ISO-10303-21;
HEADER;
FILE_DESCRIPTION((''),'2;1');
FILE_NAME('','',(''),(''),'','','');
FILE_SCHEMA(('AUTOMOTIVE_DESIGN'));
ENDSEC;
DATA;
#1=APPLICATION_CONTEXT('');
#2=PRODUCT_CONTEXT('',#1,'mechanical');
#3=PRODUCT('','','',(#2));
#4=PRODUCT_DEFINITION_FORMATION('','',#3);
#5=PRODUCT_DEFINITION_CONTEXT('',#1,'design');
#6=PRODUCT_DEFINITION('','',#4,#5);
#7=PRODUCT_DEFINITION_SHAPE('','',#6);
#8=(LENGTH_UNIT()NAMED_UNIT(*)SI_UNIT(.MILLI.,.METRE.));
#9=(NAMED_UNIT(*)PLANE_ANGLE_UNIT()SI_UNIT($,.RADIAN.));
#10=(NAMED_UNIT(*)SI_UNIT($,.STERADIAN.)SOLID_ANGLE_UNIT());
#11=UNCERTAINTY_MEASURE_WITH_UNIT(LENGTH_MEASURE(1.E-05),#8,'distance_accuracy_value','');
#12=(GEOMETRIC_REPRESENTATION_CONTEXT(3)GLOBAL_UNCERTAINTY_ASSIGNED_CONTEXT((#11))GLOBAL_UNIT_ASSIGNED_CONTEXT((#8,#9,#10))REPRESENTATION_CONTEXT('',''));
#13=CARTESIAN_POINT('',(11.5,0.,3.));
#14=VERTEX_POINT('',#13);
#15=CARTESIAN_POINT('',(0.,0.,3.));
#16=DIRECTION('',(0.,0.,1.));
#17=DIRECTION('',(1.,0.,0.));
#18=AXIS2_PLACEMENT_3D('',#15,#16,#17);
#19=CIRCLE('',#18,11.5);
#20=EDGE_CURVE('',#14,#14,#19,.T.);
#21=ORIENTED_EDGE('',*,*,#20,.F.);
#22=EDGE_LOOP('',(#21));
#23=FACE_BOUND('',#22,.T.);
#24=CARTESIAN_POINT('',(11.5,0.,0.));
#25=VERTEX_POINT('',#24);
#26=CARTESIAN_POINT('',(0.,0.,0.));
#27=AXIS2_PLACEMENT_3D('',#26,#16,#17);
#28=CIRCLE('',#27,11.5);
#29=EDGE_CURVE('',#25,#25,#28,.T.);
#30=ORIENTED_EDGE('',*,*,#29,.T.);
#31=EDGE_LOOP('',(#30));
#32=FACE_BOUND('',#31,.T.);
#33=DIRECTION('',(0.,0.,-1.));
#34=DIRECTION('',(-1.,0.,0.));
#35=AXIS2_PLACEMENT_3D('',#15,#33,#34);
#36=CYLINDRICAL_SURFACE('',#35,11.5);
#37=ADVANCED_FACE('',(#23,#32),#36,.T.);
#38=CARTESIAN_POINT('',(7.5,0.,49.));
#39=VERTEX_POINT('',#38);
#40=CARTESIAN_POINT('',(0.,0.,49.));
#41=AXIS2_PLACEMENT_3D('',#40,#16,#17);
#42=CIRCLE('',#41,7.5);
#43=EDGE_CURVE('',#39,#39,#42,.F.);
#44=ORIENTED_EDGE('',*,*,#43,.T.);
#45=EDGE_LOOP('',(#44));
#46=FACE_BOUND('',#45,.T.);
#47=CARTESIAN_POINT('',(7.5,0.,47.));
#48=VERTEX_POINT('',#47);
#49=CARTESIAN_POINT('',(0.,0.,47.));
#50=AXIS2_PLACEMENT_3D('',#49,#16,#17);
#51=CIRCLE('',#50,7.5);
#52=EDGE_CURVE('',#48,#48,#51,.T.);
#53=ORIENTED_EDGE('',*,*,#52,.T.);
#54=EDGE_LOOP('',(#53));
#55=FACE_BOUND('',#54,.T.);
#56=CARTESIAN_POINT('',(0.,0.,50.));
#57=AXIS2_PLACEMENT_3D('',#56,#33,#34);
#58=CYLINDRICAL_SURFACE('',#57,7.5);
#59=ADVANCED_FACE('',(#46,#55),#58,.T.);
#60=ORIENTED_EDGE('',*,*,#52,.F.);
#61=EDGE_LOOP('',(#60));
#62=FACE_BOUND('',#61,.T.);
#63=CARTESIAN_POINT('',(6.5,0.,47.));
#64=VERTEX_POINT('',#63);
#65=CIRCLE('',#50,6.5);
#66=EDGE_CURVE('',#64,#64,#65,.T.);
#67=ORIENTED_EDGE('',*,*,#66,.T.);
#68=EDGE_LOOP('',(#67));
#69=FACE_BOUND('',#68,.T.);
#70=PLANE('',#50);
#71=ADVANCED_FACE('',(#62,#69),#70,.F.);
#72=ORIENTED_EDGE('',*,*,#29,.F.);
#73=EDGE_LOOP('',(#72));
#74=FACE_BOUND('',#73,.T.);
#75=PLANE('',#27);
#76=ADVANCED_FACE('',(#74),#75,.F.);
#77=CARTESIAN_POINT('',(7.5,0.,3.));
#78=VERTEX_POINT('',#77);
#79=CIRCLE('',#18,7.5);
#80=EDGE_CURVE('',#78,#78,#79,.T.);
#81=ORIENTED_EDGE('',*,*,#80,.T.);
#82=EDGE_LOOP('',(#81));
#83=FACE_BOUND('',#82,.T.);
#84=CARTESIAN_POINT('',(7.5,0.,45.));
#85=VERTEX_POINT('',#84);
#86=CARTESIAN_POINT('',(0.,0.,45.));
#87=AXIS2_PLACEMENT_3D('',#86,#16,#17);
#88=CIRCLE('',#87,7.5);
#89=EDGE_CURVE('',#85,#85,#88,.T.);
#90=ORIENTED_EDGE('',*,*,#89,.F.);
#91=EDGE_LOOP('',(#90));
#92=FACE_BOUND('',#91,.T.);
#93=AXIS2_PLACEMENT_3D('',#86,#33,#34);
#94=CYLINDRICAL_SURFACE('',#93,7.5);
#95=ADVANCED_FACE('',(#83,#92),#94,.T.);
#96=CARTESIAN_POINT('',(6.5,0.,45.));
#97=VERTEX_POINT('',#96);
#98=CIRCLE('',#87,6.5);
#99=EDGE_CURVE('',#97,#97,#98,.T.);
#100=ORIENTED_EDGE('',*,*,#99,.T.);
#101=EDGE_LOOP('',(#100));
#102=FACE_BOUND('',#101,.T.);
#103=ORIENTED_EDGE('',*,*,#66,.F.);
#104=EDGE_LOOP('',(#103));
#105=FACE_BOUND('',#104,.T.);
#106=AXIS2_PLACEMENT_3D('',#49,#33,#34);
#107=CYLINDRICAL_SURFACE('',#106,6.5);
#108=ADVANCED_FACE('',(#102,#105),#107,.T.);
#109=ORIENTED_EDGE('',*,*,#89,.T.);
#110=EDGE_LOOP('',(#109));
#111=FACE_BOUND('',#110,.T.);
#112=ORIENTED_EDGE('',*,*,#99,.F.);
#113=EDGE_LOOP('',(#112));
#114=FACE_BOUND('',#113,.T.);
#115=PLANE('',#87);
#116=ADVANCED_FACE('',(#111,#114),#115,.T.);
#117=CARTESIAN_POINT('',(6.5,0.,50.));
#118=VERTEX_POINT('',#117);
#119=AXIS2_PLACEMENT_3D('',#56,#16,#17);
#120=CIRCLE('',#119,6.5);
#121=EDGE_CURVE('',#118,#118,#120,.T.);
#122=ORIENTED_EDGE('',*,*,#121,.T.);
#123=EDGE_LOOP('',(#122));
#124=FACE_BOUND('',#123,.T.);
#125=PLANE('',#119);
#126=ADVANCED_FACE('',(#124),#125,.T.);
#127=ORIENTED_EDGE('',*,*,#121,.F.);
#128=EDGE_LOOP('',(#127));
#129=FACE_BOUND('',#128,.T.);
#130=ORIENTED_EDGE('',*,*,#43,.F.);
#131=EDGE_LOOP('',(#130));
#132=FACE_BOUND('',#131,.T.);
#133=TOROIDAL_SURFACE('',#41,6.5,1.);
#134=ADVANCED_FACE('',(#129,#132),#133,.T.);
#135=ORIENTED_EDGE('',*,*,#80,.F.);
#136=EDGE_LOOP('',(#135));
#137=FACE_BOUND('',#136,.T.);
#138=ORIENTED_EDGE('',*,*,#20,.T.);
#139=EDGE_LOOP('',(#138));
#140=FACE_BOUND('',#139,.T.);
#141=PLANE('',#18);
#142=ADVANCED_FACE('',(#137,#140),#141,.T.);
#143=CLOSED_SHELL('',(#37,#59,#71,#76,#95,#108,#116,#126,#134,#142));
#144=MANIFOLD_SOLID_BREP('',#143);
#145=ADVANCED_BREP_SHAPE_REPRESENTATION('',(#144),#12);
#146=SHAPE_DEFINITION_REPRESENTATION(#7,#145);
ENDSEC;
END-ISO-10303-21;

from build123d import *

# Parameters (mm, degrees)
ESQUISSE1_R        = 7.5
BOSS_EXTRU_1_DEPTH = 45
ESQUISSE2_R        = 11.5
BOSS_EXTRU_2_DEPTH = 3
BOSS_EXTRU_3_START = 45
ESQUISSE3_R        = 6.5
BOSS_EXTRU_3_DEPTH = 2
BOSS_EXTRU_4_START = 47
ESQUISSE4_R        = 7.5
BOSS_EXTRU_4_DEPTH = 3
CONG_1_R           = 1


with BuildPart() as part:
    # Esquisse1 → Boss.-Extru.1 (new body)
    with BuildSketch(Plane.XY):
        Circle(ESQUISSE1_R)
    extrude(amount=BOSS_EXTRU_1_DEPTH)

    # Esquisse2 → Boss.-Extru.2 (add)
    with BuildSketch(Plane.XY):
        Circle(ESQUISSE2_R)
    extrude(amount=BOSS_EXTRU_2_DEPTH)

    # Esquisse3 → Boss.-Extru.3 (add)
    with BuildSketch(Plane.XY.offset(BOSS_EXTRU_3_START)):
        Circle(ESQUISSE3_R)
    extrude(amount=BOSS_EXTRU_3_DEPTH)

    # Esquisse4 → Boss.-Extru.4 (add)
    with BuildSketch(Plane.XY.offset(BOSS_EXTRU_4_START)):
        Circle(ESQUISSE4_R)
    extrude(amount=BOSS_EXTRU_4_DEPTH)

    # Congé1
    cong_1_edges = [part.edges().sort_by_distance(p)[0] for p in [
        (-7.5, 0, 50),
    ]]
    fillet(cong_1_edges, radius=CONG_1_R)


solid = part.part
